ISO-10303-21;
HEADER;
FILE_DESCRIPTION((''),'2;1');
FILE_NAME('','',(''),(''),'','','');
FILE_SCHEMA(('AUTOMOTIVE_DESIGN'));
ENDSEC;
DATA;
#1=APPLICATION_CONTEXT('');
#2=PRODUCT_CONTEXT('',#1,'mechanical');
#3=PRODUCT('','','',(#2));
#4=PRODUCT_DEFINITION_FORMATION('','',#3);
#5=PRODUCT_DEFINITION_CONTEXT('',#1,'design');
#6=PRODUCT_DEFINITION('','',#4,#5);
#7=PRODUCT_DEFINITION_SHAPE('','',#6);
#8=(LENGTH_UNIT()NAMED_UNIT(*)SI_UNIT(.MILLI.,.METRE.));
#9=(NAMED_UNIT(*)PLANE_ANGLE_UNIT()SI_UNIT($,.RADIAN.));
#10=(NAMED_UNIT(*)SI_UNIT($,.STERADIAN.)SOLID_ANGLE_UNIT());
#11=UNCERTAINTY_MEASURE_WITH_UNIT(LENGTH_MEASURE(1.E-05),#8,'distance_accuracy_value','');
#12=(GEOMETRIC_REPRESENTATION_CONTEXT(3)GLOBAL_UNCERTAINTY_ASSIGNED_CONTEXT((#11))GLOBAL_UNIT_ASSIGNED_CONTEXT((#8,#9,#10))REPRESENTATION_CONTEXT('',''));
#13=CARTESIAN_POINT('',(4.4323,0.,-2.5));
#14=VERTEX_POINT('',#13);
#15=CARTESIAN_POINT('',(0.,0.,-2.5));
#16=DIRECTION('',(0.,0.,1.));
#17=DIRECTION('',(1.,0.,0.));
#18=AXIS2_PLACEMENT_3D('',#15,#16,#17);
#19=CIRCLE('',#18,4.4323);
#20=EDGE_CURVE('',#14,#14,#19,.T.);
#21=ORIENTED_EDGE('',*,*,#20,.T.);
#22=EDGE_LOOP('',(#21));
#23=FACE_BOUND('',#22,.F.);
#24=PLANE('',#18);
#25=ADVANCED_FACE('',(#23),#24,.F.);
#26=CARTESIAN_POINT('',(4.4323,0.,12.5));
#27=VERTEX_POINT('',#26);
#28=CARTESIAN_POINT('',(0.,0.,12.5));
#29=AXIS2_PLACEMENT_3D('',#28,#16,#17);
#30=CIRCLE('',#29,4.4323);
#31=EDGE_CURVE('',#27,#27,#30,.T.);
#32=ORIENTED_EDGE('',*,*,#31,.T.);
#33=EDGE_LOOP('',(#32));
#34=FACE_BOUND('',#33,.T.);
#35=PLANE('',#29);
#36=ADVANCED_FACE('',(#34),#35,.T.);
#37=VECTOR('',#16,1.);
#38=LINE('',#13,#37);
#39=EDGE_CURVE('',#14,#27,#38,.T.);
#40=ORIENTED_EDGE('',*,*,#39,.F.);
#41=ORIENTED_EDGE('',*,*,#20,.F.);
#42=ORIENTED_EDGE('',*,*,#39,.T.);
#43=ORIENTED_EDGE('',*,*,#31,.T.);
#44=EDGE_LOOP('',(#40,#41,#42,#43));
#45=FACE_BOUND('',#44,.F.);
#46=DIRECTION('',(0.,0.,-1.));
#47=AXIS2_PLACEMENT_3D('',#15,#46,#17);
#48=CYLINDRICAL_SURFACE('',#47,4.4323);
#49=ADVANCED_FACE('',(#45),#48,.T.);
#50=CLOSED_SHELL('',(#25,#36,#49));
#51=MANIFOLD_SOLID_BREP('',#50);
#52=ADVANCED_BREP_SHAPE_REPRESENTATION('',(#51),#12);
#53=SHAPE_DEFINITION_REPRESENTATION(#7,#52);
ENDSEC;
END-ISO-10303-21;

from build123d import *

# Parameters (mm, degrees)
CYLINDER_R     = 4.4323
CYLINDER_DEPTH = 15


with BuildPart() as part:
    # Cylinder → Cylinder (new body)
    with BuildSketch(Plane.XY.offset(-2.5)):
        Circle(CYLINDER_R)
    extrude(amount=CYLINDER_DEPTH)


solid = part.part
